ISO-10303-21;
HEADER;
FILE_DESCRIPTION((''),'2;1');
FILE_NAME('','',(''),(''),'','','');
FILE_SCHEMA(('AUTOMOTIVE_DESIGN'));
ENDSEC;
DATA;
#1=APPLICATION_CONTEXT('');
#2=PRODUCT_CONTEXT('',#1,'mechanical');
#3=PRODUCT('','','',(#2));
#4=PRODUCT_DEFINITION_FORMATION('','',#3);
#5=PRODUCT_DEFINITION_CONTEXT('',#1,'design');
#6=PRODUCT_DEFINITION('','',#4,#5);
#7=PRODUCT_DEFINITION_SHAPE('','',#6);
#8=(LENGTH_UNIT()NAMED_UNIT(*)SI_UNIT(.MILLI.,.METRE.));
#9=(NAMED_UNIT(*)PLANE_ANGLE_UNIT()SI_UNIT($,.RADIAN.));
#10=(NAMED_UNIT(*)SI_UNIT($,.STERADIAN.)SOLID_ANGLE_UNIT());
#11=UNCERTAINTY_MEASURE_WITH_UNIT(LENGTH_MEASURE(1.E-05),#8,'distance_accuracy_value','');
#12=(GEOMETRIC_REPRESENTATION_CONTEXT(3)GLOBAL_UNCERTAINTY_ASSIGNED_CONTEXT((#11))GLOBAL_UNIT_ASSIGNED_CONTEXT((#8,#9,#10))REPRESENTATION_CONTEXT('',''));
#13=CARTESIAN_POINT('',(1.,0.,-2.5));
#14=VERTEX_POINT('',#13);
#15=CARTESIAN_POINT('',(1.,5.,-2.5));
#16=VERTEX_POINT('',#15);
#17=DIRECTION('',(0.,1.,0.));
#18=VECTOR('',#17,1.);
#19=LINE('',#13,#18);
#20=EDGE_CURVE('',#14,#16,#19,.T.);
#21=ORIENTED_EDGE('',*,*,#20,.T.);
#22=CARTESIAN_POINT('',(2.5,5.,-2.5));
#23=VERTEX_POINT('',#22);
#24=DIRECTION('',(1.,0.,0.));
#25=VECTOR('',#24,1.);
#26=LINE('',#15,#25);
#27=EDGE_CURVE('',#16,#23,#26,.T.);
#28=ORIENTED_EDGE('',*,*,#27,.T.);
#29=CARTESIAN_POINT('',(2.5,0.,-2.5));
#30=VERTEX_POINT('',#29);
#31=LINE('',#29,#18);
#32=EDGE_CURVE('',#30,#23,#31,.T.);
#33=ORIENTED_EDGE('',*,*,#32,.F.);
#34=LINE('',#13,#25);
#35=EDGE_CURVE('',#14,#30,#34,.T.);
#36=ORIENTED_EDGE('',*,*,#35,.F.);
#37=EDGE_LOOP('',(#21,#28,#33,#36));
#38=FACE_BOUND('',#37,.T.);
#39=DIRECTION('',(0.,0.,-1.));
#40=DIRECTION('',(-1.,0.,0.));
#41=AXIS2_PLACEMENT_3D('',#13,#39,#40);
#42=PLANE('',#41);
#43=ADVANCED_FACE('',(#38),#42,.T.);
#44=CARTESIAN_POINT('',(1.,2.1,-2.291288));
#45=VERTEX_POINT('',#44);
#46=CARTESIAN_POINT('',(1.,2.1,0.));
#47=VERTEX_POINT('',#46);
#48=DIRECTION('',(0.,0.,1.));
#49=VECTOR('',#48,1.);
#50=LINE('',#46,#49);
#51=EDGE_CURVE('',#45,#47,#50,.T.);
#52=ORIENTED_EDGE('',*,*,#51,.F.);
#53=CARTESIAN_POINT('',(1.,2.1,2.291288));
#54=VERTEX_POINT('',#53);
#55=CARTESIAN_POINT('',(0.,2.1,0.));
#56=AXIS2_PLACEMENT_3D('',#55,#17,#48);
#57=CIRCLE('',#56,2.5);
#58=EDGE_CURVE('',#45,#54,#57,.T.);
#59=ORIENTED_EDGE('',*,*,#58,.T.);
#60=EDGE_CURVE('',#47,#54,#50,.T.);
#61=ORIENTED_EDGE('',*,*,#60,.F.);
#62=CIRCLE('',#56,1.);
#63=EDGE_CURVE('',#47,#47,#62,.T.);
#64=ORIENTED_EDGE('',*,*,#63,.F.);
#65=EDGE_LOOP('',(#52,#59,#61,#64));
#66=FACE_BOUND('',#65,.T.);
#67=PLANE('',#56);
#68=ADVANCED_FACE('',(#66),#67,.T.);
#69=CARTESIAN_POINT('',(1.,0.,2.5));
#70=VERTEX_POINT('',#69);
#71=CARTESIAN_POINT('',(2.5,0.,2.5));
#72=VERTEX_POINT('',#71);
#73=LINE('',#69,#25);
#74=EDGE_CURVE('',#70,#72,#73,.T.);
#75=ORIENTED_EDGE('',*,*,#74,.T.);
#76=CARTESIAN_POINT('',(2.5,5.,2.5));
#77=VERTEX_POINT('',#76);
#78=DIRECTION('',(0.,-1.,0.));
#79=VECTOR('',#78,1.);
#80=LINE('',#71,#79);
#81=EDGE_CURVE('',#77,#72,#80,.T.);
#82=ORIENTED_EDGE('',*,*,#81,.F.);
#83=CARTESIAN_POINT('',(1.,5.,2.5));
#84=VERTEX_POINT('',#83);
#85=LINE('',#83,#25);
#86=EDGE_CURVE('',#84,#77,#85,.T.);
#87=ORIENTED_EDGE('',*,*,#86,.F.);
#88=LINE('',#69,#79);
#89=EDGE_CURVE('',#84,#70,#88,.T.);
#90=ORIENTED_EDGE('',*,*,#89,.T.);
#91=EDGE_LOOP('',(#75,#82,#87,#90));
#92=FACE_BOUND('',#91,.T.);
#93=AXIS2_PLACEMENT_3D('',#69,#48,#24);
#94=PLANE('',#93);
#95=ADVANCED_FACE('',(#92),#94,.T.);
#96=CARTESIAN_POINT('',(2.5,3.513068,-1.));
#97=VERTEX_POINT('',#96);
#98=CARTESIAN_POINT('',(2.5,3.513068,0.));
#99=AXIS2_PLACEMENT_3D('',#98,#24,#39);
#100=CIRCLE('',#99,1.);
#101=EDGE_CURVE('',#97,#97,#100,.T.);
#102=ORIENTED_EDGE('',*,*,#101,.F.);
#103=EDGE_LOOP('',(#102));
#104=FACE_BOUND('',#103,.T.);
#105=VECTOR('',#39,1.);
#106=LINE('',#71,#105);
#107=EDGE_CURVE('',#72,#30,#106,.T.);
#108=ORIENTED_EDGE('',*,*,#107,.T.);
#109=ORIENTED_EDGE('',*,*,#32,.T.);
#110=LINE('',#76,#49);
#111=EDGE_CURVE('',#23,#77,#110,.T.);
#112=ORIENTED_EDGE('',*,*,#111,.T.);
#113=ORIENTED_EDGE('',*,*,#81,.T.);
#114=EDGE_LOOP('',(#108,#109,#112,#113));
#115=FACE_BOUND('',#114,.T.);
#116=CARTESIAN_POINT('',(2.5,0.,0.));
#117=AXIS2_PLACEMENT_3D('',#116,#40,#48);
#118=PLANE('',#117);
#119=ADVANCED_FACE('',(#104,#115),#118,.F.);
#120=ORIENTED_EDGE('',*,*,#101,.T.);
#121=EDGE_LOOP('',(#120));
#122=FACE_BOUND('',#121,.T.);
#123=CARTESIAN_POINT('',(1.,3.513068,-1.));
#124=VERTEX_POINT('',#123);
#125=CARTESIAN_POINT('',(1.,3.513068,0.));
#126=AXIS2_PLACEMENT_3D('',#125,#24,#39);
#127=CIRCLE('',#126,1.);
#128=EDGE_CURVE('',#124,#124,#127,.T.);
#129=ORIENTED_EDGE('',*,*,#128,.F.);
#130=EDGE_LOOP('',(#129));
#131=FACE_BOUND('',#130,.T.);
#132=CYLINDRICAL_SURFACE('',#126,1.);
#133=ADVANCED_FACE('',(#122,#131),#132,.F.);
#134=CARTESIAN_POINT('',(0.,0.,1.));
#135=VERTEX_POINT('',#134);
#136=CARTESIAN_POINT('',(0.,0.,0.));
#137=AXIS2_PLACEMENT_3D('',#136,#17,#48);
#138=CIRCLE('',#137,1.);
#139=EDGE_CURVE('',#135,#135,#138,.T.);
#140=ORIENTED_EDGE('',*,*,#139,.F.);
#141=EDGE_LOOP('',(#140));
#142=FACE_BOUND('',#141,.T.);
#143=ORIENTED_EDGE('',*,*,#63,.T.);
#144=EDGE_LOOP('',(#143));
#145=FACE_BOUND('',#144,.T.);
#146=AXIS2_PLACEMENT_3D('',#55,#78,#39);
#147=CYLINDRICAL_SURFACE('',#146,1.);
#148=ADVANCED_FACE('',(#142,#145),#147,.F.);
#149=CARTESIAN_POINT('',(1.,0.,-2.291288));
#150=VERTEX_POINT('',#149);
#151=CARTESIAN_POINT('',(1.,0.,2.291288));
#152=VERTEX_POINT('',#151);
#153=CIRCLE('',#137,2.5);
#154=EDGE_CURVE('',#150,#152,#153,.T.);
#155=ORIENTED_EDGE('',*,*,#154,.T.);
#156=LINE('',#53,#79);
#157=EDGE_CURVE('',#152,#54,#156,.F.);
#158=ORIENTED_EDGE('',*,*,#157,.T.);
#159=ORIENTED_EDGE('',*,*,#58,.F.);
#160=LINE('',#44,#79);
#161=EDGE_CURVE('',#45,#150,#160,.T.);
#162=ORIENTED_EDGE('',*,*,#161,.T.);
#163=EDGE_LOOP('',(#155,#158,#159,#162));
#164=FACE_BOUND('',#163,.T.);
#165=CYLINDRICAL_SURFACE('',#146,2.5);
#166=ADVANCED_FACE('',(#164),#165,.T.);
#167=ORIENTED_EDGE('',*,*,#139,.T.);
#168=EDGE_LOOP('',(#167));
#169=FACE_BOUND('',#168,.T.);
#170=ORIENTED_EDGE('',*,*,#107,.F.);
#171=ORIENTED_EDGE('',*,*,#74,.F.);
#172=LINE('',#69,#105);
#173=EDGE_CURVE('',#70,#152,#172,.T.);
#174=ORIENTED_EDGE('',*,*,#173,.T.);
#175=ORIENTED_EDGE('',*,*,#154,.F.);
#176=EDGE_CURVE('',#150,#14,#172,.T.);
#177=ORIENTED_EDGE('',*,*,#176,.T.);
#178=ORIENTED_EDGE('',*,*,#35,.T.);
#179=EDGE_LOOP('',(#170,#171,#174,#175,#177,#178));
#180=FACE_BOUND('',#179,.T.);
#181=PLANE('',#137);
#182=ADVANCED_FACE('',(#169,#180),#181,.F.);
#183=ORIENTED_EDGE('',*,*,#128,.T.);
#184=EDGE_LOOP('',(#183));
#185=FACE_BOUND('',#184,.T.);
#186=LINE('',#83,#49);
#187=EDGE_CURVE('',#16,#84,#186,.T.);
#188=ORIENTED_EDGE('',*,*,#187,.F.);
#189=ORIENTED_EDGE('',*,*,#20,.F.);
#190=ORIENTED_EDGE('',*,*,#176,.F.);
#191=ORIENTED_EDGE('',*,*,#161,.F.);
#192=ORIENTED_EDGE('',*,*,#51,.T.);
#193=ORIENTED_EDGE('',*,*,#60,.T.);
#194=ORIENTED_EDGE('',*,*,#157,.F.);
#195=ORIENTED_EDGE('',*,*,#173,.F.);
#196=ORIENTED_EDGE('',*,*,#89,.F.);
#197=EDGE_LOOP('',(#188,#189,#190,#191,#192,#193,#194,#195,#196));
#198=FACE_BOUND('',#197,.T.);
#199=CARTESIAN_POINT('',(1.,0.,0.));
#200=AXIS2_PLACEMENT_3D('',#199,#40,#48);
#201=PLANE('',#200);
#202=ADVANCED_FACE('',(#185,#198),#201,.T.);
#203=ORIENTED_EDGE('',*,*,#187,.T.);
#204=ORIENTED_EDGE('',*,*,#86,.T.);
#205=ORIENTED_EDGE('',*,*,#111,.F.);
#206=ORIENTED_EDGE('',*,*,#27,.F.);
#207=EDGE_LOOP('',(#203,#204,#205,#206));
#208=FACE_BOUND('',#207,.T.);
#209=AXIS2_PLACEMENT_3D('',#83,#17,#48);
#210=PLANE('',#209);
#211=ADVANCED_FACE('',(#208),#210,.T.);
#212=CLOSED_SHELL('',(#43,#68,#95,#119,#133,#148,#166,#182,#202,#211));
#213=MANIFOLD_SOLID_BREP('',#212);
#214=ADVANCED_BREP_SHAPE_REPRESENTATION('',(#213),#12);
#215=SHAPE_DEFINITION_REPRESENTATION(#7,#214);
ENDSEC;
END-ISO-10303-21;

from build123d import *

# Parameters (mm, degrees)
SKETCH1_R           = 2.5
SKETCH1_R_2         = 1
BOSS_EXTRUDE2_DEPTH = 2.1
SKETCH2_W           = 5
SKETCH2_H           = 5
SKETCH2_R           = 1
BOSS_EXTRUDE3_DEPTH = 1.5


with BuildPart() as part:
    # Sketch1 → Boss-Extrude2 (new body)
    with BuildSketch(Plane(origin=(0, 0, 0), x_dir=(1, 0, 0), z_dir=(0, 1, 0))):
        with Locations(Location((0, 0, 0), (0, 0, 270))):
            Circle(SKETCH1_R)
        with Locations(Location((0, 0, 0), (0, 0, 270))):
            Circle(SKETCH1_R_2, mode=Mode.SUBTRACT)
    extrude(amount=BOSS_EXTRUDE2_DEPTH)

    # Sketch2 → Boss-Extrude3 (add)
    with BuildSketch(Plane(origin=(2.5, 0, 0), x_dir=(0, 0, -1), z_dir=(1, 0, 0))):
        with Locations((0, 2.5)):
            Rectangle(SKETCH2_W, SKETCH2_H)
        with Locations((0, 3.513067933)):
            Circle(SKETCH2_R, mode=Mode.SUBTRACT)
    extrude(amount=-BOSS_EXTRUDE3_DEPTH)


solid = part.part
